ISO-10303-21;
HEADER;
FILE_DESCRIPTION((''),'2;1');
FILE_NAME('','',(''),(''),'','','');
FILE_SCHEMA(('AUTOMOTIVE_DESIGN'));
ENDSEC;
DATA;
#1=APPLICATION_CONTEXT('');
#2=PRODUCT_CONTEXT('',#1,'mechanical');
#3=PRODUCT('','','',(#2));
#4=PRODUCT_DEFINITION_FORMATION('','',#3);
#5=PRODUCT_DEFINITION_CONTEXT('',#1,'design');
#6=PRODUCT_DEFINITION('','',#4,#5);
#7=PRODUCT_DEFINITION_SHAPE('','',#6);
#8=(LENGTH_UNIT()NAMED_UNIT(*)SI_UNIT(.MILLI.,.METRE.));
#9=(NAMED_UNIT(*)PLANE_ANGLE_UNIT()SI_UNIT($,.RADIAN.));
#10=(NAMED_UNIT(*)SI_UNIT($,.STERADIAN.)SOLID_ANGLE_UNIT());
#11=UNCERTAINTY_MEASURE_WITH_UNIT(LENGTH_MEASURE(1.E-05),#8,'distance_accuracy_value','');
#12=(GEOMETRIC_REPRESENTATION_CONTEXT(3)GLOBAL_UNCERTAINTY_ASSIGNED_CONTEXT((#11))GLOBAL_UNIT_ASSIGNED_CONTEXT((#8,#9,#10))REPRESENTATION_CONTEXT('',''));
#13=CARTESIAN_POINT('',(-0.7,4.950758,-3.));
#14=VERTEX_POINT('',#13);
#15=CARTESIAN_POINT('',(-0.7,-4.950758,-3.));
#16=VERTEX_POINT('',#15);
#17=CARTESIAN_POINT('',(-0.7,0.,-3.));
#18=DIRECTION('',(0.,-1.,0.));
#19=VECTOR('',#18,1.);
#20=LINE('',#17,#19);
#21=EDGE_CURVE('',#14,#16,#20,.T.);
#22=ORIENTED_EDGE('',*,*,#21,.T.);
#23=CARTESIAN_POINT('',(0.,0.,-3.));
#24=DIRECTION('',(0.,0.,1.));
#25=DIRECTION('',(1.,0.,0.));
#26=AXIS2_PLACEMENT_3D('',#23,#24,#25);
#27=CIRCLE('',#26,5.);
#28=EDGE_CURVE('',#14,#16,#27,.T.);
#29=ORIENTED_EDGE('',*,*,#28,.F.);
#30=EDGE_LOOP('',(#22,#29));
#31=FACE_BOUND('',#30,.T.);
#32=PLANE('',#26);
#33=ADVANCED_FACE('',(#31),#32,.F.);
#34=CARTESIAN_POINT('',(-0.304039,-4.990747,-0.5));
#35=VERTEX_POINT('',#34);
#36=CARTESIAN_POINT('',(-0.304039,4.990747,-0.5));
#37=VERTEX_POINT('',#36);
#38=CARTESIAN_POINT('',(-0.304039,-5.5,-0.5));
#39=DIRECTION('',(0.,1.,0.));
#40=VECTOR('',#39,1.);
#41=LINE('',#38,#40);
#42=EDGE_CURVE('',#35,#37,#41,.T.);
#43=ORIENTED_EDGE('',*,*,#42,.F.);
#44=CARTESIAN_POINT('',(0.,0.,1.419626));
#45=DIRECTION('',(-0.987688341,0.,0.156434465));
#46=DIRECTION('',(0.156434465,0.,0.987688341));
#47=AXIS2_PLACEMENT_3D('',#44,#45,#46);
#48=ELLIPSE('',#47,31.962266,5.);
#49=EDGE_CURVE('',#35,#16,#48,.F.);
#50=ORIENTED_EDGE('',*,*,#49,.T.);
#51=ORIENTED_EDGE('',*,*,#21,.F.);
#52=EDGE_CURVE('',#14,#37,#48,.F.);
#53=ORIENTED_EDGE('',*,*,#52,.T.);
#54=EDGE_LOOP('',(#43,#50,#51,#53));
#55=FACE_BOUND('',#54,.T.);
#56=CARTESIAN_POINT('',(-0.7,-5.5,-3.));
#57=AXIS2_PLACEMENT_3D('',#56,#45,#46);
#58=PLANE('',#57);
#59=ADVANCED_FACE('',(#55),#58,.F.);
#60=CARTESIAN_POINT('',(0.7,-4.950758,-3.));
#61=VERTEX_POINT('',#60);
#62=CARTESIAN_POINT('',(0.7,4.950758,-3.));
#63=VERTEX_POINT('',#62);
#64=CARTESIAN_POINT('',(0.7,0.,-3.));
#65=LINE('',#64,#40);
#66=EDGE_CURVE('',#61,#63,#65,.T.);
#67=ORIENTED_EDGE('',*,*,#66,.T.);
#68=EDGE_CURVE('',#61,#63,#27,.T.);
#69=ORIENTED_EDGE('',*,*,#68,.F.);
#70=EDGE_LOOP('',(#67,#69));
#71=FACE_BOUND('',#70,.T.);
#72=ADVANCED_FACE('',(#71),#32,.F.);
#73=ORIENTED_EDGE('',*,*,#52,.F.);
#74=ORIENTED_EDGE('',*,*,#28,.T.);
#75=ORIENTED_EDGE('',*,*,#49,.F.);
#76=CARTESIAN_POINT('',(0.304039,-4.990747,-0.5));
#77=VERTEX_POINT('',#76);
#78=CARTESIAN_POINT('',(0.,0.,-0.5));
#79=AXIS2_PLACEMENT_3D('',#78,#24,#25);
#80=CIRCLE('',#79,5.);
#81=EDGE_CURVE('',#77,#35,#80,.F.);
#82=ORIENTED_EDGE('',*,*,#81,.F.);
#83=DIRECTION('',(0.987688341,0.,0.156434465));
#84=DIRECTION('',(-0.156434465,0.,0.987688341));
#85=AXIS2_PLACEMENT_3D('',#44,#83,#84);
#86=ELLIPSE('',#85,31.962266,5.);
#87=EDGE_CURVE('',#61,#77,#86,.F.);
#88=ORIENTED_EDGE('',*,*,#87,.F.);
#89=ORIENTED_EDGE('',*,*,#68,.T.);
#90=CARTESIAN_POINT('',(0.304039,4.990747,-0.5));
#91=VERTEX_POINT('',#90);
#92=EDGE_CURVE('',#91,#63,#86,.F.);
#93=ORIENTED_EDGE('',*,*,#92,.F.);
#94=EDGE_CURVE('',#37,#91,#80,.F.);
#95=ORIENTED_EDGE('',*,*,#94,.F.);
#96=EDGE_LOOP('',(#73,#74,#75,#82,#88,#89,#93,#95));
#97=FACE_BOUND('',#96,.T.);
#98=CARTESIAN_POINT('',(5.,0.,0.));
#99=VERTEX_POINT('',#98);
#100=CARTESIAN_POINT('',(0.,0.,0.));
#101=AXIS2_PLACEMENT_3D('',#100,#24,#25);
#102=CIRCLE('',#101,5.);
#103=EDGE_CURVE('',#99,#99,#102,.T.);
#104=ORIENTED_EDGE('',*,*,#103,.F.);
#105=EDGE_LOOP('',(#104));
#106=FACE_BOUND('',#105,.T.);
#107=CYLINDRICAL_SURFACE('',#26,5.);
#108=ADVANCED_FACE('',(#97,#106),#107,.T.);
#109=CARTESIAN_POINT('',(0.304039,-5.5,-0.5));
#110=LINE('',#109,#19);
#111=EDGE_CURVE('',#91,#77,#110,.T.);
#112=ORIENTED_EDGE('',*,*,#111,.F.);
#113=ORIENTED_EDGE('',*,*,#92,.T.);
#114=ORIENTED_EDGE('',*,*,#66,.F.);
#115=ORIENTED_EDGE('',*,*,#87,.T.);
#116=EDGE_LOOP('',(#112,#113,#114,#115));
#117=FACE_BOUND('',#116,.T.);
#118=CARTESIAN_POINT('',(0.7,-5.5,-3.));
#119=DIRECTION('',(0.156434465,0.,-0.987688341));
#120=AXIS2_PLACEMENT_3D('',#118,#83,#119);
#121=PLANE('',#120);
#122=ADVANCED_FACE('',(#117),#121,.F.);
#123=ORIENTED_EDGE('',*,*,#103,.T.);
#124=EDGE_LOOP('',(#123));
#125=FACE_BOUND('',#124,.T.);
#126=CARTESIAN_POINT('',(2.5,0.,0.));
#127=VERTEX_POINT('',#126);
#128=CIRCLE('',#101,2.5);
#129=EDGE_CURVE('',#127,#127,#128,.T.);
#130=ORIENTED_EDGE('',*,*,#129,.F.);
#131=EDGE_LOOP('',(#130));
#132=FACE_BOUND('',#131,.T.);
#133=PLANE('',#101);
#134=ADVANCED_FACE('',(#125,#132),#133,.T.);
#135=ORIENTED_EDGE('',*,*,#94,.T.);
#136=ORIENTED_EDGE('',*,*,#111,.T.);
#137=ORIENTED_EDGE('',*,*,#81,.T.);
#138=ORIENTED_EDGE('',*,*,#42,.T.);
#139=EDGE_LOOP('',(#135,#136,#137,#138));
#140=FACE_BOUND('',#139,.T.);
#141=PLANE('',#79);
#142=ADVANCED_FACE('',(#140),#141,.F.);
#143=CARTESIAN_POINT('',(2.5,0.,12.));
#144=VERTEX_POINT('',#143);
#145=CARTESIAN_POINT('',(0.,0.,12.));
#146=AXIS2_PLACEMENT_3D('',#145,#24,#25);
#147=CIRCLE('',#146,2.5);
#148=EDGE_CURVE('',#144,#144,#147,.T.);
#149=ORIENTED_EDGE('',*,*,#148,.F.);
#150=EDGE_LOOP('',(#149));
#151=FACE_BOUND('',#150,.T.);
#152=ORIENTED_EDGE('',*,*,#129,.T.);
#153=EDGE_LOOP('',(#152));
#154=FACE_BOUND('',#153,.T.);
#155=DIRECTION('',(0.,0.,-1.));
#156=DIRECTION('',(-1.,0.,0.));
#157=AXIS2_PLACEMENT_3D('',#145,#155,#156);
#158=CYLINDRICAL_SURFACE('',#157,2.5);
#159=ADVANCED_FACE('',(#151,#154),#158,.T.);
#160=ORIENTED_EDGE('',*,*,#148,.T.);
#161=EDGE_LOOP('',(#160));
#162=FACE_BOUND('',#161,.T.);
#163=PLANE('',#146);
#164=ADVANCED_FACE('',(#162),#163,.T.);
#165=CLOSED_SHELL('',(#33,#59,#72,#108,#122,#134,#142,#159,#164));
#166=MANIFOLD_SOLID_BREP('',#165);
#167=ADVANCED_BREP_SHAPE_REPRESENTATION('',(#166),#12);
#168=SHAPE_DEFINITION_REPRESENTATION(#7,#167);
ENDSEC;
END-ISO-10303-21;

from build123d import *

# Parameters (mm, degrees)
CROQUIS1_R              = 2.5
SALIENTE_EXTRUIR1_DEPTH = 12
CROQUIS2_R              = 5
SALIENTE_EXTRUIR2_DEPTH = 3
CROQUIS3_W              = 1.4
CROQUIS3_H              = 11
CORTAR_EXTRUIR2_DEPTH   = 2.5
CORTAR_EXTRUIR2_TAPER   = 9


with BuildPart() as part:
    # Croquis1 → Saliente-Extruir1 (new body)
    with BuildSketch(Plane.XY):
        Circle(CROQUIS1_R)
    extrude(amount=SALIENTE_EXTRUIR1_DEPTH)

    # Croquis2 → Saliente-Extruir2 (add)
    with BuildSketch(Plane.XY):
        Circle(CROQUIS2_R)
    extrude(amount=-SALIENTE_EXTRUIR2_DEPTH)

    # Croquis3 → Cortar-Extruir2 (cut)
    with BuildSketch(Plane(origin=(0, 0, -3), x_dir=(-1, 0, 0), z_dir=(0, 0, -1))):
        Rectangle(CROQUIS3_W, CROQUIS3_H)
    extrude(amount=-CORTAR_EXTRUIR2_DEPTH, taper=CORTAR_EXTRUIR2_TAPER, mode=Mode.SUBTRACT)


solid = part.part
